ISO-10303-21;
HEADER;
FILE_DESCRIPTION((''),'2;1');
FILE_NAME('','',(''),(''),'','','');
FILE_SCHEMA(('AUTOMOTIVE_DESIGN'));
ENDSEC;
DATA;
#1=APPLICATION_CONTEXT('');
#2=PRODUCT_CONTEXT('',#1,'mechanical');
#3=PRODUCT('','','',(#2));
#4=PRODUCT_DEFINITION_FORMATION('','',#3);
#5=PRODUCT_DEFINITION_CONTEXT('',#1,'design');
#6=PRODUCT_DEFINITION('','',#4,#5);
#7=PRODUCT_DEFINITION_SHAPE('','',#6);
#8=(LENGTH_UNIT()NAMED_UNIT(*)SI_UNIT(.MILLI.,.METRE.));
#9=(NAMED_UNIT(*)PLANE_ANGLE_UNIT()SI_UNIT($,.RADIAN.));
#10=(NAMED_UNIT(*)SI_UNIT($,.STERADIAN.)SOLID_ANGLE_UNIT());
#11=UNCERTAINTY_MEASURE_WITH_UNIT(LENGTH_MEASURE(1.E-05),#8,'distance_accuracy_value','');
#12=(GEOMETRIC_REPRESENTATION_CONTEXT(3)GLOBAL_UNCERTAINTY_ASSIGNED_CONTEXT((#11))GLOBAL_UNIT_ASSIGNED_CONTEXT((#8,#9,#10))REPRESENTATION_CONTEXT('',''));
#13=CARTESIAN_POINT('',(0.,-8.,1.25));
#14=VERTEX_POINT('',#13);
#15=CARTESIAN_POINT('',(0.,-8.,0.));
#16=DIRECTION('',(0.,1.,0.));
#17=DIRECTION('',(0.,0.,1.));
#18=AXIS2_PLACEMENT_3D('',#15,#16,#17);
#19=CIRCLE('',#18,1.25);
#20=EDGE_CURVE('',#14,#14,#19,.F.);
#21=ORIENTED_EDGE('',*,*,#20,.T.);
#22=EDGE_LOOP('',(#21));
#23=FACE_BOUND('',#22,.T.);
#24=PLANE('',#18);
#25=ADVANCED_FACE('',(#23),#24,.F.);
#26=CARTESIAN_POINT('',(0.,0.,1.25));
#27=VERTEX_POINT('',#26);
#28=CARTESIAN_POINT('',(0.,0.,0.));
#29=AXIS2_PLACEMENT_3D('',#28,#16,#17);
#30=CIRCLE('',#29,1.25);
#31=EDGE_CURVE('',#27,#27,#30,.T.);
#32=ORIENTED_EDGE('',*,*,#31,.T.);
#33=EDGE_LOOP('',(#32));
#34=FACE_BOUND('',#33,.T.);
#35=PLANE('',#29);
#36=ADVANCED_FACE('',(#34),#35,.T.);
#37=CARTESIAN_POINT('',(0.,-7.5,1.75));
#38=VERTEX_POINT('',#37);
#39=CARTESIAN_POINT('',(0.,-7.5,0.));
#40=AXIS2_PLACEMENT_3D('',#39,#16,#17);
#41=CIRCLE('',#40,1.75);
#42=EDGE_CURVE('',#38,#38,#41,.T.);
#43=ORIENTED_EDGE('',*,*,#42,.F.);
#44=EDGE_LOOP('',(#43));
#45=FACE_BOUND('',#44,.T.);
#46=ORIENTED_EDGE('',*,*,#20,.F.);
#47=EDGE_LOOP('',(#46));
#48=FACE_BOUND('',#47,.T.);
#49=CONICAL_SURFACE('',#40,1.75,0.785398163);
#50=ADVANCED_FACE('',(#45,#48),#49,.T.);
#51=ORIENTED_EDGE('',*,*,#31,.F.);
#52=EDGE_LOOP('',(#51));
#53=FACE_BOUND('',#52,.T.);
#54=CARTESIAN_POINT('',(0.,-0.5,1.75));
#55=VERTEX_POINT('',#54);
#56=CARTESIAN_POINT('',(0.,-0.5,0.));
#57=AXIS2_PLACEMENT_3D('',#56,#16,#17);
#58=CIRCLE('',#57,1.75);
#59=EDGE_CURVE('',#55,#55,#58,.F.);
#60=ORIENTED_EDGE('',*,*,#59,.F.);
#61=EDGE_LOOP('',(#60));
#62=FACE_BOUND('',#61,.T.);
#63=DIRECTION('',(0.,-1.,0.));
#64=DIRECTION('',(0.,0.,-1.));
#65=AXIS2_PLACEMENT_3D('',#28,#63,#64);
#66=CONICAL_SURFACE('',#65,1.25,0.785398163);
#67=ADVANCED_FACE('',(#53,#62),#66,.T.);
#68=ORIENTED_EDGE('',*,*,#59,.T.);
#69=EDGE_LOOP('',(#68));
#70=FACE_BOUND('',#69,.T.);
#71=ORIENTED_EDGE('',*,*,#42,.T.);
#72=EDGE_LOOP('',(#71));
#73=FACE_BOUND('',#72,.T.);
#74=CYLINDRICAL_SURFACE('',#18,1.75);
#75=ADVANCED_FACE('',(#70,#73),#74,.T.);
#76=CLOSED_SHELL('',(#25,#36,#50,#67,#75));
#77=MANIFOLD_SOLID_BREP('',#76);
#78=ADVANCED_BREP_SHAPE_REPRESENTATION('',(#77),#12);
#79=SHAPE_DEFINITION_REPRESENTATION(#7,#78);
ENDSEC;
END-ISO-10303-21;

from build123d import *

# Parameters (mm, degrees)
SKETCH1_R           = 1.75
BOSS_EXTRUDE1_DEPTH = 8
CHAMFER1_SIZE       = 0.5


with BuildPart() as part:
    # Sketch1 → Boss-Extrude1 (new body)
    with BuildSketch(Plane(origin=(0, 0, 0), x_dir=(1, 0, 0), z_dir=(0, 1, 0))):
        with Locations(Location((0, 0, 0), (0, 0, 270))):
            Circle(SKETCH1_R)
    extrude(amount=-BOSS_EXTRUDE1_DEPTH)

    # Chamfer1
    chamfer1_edges = [part.edges().sort_by_distance(p)[0] for p in [
        (0, 0, -1.75),
        (0, -8, -1.75),
    ]]
    chamfer(chamfer1_edges, length=CHAMFER1_SIZE)


solid = part.part
